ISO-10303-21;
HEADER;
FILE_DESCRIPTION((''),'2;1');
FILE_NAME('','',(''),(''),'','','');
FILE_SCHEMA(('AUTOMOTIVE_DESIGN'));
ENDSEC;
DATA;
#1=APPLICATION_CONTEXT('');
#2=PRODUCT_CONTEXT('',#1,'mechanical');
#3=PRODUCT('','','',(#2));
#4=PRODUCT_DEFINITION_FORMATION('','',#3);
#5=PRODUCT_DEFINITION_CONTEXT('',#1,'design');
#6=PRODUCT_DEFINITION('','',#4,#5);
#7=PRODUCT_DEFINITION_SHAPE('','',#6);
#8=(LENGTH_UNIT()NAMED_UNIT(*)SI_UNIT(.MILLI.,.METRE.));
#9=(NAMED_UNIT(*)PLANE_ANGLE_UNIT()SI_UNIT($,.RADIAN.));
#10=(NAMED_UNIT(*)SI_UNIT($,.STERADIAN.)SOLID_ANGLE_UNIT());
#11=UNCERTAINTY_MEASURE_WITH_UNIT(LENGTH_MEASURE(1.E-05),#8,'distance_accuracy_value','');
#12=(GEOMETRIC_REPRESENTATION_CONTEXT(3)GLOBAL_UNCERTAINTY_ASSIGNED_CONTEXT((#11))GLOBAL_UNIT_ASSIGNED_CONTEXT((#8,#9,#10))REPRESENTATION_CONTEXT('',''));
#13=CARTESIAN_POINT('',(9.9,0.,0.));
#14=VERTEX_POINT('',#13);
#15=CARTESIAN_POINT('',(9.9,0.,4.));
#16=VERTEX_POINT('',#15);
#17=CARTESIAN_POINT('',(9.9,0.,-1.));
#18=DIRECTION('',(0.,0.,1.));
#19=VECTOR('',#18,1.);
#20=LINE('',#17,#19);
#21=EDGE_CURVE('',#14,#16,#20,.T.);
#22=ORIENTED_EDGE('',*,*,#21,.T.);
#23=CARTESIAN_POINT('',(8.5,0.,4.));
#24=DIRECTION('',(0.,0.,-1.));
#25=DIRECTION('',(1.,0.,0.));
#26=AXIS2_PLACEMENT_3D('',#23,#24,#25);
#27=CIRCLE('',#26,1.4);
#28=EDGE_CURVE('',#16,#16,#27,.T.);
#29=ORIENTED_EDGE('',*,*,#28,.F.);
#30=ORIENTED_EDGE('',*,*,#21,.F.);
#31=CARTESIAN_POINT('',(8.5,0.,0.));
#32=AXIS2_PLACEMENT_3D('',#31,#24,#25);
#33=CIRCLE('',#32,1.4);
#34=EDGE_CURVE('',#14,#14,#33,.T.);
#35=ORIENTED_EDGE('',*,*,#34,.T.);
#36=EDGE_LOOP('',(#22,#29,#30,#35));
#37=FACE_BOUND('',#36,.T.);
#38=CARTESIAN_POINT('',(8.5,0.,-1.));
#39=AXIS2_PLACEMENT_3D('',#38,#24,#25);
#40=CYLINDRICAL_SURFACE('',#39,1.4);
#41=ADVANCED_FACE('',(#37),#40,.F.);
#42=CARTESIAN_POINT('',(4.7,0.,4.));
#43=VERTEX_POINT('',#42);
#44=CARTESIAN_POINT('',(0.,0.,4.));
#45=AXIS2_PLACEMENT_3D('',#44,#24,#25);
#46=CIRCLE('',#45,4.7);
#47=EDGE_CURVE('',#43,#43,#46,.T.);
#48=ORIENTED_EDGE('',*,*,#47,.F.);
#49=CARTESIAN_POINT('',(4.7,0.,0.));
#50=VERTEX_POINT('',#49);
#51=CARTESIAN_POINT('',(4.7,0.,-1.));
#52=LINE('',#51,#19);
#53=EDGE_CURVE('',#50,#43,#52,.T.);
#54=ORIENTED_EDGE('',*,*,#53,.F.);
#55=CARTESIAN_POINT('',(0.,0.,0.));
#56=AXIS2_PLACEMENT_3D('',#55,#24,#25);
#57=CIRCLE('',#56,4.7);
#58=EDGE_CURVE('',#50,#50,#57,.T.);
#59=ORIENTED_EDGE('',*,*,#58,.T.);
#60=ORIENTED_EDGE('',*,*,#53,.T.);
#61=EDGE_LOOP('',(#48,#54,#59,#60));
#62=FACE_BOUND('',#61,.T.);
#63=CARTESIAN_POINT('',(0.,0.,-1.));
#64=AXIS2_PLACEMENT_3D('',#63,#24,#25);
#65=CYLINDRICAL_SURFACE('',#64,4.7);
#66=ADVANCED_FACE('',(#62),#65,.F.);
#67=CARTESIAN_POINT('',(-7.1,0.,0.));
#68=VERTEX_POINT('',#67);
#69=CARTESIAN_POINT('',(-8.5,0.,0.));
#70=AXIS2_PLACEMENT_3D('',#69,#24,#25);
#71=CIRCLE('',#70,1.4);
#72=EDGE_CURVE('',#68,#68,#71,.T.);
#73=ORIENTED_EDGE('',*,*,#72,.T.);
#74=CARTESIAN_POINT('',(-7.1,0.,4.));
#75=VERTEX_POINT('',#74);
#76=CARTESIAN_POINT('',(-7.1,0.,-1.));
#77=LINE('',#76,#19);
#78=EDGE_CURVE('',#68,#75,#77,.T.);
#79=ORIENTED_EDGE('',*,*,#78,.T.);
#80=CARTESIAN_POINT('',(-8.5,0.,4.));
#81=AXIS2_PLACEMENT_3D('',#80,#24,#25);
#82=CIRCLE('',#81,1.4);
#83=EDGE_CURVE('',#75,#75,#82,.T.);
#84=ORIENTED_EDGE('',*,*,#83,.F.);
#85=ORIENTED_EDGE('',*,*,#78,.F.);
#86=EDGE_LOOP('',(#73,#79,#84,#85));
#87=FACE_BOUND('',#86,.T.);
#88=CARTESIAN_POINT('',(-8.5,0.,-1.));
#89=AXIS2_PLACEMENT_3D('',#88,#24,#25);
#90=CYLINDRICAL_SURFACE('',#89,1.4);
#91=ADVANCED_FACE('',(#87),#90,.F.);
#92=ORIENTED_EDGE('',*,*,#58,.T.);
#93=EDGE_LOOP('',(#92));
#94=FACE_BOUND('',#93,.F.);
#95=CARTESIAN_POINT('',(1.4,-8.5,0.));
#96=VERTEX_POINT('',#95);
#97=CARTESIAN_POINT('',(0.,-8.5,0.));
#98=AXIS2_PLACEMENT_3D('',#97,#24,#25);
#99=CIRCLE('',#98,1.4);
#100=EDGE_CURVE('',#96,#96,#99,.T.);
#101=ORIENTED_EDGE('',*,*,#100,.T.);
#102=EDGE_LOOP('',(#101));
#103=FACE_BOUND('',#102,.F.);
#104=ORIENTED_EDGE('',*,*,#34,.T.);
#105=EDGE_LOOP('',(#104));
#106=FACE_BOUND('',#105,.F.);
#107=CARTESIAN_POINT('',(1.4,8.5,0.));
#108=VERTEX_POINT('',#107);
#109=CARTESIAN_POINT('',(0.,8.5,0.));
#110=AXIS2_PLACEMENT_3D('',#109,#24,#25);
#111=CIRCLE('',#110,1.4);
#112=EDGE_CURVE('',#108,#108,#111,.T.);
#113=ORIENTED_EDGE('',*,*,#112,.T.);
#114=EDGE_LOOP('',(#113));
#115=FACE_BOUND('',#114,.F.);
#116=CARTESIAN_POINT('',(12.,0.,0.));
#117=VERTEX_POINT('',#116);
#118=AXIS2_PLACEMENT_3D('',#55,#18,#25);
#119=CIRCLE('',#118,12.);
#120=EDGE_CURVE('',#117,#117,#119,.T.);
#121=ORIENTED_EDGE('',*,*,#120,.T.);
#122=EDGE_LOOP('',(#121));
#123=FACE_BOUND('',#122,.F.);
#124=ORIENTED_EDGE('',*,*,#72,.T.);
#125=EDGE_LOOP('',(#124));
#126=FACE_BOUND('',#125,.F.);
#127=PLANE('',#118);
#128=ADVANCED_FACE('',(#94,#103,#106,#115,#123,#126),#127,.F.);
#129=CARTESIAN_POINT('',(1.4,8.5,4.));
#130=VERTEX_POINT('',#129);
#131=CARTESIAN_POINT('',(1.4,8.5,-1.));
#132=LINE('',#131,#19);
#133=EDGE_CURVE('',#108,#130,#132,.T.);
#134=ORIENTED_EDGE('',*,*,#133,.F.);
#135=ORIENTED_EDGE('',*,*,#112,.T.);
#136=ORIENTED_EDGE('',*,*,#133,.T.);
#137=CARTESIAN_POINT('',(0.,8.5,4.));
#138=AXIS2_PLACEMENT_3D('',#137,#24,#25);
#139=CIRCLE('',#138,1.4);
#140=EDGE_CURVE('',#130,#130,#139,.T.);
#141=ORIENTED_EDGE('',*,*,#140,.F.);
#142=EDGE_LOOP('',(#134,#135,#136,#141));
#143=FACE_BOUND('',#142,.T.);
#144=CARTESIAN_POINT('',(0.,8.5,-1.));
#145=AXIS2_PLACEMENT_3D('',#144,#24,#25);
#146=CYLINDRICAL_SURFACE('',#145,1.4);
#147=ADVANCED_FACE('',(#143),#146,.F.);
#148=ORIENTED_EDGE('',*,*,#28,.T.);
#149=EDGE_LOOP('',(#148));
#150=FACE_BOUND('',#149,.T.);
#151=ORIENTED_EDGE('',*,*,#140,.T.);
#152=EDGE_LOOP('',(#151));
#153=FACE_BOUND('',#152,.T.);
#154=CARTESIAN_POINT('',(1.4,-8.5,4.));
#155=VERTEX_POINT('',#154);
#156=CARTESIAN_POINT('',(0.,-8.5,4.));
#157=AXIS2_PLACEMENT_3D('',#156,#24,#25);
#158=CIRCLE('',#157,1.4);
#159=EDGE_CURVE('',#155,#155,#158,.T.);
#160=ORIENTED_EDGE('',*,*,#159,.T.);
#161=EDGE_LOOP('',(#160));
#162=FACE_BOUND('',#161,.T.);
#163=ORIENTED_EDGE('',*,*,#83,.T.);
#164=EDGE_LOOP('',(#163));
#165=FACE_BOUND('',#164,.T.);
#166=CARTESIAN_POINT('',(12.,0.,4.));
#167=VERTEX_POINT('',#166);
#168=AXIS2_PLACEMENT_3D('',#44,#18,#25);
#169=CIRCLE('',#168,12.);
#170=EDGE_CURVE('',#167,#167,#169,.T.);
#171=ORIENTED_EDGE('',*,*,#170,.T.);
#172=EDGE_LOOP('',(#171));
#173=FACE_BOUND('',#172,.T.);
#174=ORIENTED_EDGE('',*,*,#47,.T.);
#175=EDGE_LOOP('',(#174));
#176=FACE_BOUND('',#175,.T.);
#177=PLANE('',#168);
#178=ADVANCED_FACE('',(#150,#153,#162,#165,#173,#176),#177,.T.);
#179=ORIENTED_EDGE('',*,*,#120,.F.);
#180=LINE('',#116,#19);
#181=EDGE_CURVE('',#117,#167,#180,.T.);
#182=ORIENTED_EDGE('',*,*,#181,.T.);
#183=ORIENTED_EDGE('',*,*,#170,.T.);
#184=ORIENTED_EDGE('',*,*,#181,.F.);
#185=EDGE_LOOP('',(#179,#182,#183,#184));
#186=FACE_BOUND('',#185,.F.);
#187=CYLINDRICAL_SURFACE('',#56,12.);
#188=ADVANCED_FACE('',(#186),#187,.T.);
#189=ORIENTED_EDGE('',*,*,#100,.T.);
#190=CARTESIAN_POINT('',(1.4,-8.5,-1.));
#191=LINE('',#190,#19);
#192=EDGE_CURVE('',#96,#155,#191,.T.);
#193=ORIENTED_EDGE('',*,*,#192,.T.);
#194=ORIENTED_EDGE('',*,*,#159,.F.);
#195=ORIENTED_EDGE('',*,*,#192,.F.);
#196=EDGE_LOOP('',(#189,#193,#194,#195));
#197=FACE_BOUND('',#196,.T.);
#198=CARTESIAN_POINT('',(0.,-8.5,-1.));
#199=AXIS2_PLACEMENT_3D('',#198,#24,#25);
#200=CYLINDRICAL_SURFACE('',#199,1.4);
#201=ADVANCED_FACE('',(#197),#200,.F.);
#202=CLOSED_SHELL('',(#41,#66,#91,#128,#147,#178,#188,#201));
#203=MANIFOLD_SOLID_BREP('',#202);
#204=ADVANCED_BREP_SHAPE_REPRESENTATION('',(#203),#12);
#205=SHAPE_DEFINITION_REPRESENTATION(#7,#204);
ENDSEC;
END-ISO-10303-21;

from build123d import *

# Parameters (mm, degrees)
CYLINDER006_R     = 4.7
CYLINDER006_DEPTH = 6
CYLINDER003_R     = 1.4
CYLINDER003_DEPTH = 10
CYLINDER004_R     = 1.4
CYLINDER004_DEPTH = 10
CYLINDER005_R     = 1.4
CYLINDER005_DEPTH = 10
CYLINDER002_R     = 1.4
CYLINDER002_DEPTH = 10
CYLINDER_R        = 12
CYLINDER_DEPTH    = 4


with BuildPart() as cylinder006:
    # Cylinder006 → Cylinder006 (new body)
    with BuildSketch(Plane.XY.offset(-1)):
        Circle(CYLINDER006_R)
    extrude(amount=CYLINDER006_DEPTH)


with BuildPart() as cylinder003:
    # Cylinder003 → Cylinder003 (new body)
    with BuildSketch(Plane(origin=(8.5, 0, -1), x_dir=(1, 0, 0), z_dir=(0, 0, 1))):
        Circle(CYLINDER003_R)
    extrude(amount=CYLINDER003_DEPTH)


with BuildPart() as cylinder004:
    # Cylinder004 → Cylinder004 (new body)
    with BuildSketch(Plane(origin=(0, 8.5, -1), x_dir=(1, 0, 0), z_dir=(0, 0, 1))):
        Circle(CYLINDER004_R)
    extrude(amount=CYLINDER004_DEPTH)


with BuildPart() as cylinder005:
    # Cylinder005 → Cylinder005 (new body)
    with BuildSketch(Plane(origin=(0, -8.5, -1), x_dir=(1, 0, 0), z_dir=(0, 0, 1))):
        Circle(CYLINDER005_R)
    extrude(amount=CYLINDER005_DEPTH)


with BuildPart() as cylinder002:
    # Cylinder002 → Cylinder002 (new body)
    with BuildSketch(Plane(origin=(-8.5, 0, -1), x_dir=(1, 0, 0), z_dir=(0, 0, 1))):
        Circle(CYLINDER002_R)
    extrude(amount=CYLINDER002_DEPTH)


with BuildPart() as mr93zz_bearing_holder:
    # Cylinder → Cylinder (new body)
    with BuildSketch(Plane.XY):
        Circle(CYLINDER_R)
    extrude(amount=CYLINDER_DEPTH)

    # Cut: cut Cylinder002
    add(cylinder002.part, mode=Mode.SUBTRACT)

    # Cut001: cut Cylinder005
    add(cylinder005.part, mode=Mode.SUBTRACT)

    # Cut002: cut Cylinder004
    add(cylinder004.part, mode=Mode.SUBTRACT)

    # Cut003: cut Cylinder003
    add(cylinder003.part, mode=Mode.SUBTRACT)

    # Cut004: cut Cylinder006
    add(cylinder006.part, mode=Mode.SUBTRACT)


solid = mr93zz_bearing_holder.part
